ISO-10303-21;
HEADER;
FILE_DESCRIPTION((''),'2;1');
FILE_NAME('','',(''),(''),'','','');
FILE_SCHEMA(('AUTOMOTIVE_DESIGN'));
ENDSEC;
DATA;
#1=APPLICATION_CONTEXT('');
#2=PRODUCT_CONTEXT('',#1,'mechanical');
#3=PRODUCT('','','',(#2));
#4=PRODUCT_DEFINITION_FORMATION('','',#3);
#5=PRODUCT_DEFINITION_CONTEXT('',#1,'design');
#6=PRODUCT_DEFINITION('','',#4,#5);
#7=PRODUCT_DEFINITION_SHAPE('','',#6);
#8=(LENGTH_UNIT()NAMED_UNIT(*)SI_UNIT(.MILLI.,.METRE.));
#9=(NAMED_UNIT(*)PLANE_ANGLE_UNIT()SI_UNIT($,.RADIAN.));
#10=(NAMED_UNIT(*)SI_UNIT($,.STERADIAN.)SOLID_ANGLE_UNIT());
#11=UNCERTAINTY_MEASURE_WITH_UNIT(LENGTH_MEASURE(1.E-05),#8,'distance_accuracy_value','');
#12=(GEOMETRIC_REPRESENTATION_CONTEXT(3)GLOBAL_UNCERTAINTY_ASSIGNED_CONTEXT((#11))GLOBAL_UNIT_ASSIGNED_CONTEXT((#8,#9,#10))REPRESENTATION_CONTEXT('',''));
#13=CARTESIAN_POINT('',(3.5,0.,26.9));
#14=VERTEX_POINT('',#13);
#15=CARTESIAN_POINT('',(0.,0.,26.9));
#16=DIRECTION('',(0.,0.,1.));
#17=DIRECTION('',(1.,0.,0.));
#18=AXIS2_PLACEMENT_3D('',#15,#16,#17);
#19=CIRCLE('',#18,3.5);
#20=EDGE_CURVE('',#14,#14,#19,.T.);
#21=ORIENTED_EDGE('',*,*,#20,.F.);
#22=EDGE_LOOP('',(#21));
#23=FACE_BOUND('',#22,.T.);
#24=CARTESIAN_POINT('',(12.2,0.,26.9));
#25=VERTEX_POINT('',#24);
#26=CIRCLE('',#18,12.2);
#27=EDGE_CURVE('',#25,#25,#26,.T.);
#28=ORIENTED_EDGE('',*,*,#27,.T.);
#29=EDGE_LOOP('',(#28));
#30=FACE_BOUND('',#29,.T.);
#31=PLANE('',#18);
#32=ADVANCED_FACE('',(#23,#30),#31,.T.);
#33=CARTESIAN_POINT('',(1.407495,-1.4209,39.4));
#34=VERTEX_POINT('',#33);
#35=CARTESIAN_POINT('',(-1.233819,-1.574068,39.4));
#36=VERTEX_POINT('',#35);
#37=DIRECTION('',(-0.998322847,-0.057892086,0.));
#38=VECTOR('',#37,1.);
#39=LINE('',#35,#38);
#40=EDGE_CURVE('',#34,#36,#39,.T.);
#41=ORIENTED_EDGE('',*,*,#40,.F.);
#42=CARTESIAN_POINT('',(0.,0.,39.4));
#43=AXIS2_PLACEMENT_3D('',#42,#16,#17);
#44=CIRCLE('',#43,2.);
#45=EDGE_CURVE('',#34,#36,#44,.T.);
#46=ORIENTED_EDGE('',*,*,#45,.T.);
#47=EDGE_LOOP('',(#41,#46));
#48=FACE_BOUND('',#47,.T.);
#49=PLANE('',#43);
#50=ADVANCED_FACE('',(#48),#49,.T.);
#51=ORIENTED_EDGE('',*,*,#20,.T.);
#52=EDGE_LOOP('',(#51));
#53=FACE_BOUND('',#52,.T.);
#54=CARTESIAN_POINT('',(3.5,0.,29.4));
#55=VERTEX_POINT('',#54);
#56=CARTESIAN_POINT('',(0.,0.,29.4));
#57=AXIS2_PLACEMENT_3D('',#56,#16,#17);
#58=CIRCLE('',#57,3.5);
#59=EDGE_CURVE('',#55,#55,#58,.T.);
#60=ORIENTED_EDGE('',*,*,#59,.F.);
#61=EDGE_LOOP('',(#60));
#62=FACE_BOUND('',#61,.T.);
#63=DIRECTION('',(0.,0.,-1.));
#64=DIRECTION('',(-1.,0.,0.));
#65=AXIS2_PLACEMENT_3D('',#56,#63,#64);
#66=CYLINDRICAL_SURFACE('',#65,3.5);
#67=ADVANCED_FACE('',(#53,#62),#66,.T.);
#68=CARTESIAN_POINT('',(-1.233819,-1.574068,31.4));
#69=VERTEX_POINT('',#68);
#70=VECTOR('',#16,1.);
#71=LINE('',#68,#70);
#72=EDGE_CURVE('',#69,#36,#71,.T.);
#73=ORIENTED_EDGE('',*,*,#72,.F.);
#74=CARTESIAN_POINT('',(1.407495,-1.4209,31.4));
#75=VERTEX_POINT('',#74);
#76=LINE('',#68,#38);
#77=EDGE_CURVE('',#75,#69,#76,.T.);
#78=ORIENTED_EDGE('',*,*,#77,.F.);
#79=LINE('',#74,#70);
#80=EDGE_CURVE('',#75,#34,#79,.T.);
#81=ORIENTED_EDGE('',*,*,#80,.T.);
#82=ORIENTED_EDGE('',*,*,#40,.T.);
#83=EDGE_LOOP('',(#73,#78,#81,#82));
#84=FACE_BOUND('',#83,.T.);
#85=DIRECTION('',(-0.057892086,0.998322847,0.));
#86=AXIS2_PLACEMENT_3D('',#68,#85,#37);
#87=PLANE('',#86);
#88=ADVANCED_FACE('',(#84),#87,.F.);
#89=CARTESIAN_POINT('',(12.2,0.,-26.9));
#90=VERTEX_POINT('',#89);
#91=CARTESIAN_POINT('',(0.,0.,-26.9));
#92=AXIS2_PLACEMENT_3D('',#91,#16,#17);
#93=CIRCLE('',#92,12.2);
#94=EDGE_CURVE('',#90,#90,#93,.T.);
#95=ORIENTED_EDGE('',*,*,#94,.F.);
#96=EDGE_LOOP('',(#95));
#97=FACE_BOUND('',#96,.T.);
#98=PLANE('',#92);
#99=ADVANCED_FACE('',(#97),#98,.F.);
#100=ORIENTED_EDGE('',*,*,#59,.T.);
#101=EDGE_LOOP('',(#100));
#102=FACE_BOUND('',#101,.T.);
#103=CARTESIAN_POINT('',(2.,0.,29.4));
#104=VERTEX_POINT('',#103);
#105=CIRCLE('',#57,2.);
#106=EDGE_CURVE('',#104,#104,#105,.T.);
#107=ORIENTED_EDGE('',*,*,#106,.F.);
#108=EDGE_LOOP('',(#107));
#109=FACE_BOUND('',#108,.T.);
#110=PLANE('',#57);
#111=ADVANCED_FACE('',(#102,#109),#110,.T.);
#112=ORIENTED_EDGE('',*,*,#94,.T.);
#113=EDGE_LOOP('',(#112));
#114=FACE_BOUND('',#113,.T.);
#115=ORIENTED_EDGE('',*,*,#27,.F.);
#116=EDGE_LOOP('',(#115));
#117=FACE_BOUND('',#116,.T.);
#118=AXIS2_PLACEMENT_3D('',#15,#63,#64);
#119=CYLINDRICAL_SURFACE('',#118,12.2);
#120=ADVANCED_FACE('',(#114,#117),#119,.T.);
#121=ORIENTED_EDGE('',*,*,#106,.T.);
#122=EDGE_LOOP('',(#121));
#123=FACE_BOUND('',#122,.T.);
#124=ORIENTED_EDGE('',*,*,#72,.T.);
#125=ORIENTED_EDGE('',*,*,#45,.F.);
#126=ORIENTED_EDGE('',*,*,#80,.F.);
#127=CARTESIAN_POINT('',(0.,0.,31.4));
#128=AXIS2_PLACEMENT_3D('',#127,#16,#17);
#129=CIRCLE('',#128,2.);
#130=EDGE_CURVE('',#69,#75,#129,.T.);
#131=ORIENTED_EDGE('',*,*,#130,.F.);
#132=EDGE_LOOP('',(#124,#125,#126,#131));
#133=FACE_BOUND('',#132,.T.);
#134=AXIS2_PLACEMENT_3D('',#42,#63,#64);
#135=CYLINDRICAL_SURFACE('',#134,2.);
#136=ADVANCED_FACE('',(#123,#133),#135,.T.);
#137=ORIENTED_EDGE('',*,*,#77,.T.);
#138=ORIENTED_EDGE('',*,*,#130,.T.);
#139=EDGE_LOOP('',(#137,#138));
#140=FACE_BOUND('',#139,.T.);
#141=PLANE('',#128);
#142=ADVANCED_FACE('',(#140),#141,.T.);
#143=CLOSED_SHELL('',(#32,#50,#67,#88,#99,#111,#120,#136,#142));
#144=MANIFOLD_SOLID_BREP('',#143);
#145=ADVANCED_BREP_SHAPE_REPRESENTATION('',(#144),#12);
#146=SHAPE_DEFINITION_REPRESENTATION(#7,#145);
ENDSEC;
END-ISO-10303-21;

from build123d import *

# Parameters (mm, degrees)
ESQUISSE1_R             = 12.2
BOSS_EXTRU_1_DEPTH      = 26.9
ESQUISSE2_R             = 3.5
BOSS_EXTRU_2_DEPTH      = 2.5
ESQUISSE3_R             = 2
BOSS_EXTRU_3_DEPTH      = 10
ENL_V_MAT_EXTRU_1_DEPTH = 8


with BuildPart() as part:
    # Esquisse1 → Boss.-Extru.1 (new body, symmetric)
    with BuildSketch(Plane.XY):
        Circle(ESQUISSE1_R)
    extrude(amount=BOSS_EXTRU_1_DEPTH, both=True)

    # Esquisse2 → Boss.-Extru.2 (add)
    with BuildSketch(Plane.XY.offset(26.9)):
        Circle(ESQUISSE2_R)
    extrude(amount=BOSS_EXTRU_2_DEPTH)

    # Esquisse3 → Boss.-Extru.3 (add)
    with BuildSketch(Plane.XY.offset(29.4)):
        Circle(ESQUISSE3_R)
    extrude(amount=BOSS_EXTRU_3_DEPTH)

    # Esquisse4 → Enlèv. mat.-Extru.1 (cut)
    with BuildSketch(Plane.XY.offset(39.4)):
        with BuildLine():
            Line((-1.233818862, -1.574068301), (1.407495119, -1.42090024))
            ThreePointArc((1.407495119, -1.42090024), (0.115784171, -1.996645694), (-1.233818862, -1.574068301))
        make_face()
    extrude(amount=-ENL_V_MAT_EXTRU_1_DEPTH, mode=Mode.SUBTRACT)


solid = part.part
